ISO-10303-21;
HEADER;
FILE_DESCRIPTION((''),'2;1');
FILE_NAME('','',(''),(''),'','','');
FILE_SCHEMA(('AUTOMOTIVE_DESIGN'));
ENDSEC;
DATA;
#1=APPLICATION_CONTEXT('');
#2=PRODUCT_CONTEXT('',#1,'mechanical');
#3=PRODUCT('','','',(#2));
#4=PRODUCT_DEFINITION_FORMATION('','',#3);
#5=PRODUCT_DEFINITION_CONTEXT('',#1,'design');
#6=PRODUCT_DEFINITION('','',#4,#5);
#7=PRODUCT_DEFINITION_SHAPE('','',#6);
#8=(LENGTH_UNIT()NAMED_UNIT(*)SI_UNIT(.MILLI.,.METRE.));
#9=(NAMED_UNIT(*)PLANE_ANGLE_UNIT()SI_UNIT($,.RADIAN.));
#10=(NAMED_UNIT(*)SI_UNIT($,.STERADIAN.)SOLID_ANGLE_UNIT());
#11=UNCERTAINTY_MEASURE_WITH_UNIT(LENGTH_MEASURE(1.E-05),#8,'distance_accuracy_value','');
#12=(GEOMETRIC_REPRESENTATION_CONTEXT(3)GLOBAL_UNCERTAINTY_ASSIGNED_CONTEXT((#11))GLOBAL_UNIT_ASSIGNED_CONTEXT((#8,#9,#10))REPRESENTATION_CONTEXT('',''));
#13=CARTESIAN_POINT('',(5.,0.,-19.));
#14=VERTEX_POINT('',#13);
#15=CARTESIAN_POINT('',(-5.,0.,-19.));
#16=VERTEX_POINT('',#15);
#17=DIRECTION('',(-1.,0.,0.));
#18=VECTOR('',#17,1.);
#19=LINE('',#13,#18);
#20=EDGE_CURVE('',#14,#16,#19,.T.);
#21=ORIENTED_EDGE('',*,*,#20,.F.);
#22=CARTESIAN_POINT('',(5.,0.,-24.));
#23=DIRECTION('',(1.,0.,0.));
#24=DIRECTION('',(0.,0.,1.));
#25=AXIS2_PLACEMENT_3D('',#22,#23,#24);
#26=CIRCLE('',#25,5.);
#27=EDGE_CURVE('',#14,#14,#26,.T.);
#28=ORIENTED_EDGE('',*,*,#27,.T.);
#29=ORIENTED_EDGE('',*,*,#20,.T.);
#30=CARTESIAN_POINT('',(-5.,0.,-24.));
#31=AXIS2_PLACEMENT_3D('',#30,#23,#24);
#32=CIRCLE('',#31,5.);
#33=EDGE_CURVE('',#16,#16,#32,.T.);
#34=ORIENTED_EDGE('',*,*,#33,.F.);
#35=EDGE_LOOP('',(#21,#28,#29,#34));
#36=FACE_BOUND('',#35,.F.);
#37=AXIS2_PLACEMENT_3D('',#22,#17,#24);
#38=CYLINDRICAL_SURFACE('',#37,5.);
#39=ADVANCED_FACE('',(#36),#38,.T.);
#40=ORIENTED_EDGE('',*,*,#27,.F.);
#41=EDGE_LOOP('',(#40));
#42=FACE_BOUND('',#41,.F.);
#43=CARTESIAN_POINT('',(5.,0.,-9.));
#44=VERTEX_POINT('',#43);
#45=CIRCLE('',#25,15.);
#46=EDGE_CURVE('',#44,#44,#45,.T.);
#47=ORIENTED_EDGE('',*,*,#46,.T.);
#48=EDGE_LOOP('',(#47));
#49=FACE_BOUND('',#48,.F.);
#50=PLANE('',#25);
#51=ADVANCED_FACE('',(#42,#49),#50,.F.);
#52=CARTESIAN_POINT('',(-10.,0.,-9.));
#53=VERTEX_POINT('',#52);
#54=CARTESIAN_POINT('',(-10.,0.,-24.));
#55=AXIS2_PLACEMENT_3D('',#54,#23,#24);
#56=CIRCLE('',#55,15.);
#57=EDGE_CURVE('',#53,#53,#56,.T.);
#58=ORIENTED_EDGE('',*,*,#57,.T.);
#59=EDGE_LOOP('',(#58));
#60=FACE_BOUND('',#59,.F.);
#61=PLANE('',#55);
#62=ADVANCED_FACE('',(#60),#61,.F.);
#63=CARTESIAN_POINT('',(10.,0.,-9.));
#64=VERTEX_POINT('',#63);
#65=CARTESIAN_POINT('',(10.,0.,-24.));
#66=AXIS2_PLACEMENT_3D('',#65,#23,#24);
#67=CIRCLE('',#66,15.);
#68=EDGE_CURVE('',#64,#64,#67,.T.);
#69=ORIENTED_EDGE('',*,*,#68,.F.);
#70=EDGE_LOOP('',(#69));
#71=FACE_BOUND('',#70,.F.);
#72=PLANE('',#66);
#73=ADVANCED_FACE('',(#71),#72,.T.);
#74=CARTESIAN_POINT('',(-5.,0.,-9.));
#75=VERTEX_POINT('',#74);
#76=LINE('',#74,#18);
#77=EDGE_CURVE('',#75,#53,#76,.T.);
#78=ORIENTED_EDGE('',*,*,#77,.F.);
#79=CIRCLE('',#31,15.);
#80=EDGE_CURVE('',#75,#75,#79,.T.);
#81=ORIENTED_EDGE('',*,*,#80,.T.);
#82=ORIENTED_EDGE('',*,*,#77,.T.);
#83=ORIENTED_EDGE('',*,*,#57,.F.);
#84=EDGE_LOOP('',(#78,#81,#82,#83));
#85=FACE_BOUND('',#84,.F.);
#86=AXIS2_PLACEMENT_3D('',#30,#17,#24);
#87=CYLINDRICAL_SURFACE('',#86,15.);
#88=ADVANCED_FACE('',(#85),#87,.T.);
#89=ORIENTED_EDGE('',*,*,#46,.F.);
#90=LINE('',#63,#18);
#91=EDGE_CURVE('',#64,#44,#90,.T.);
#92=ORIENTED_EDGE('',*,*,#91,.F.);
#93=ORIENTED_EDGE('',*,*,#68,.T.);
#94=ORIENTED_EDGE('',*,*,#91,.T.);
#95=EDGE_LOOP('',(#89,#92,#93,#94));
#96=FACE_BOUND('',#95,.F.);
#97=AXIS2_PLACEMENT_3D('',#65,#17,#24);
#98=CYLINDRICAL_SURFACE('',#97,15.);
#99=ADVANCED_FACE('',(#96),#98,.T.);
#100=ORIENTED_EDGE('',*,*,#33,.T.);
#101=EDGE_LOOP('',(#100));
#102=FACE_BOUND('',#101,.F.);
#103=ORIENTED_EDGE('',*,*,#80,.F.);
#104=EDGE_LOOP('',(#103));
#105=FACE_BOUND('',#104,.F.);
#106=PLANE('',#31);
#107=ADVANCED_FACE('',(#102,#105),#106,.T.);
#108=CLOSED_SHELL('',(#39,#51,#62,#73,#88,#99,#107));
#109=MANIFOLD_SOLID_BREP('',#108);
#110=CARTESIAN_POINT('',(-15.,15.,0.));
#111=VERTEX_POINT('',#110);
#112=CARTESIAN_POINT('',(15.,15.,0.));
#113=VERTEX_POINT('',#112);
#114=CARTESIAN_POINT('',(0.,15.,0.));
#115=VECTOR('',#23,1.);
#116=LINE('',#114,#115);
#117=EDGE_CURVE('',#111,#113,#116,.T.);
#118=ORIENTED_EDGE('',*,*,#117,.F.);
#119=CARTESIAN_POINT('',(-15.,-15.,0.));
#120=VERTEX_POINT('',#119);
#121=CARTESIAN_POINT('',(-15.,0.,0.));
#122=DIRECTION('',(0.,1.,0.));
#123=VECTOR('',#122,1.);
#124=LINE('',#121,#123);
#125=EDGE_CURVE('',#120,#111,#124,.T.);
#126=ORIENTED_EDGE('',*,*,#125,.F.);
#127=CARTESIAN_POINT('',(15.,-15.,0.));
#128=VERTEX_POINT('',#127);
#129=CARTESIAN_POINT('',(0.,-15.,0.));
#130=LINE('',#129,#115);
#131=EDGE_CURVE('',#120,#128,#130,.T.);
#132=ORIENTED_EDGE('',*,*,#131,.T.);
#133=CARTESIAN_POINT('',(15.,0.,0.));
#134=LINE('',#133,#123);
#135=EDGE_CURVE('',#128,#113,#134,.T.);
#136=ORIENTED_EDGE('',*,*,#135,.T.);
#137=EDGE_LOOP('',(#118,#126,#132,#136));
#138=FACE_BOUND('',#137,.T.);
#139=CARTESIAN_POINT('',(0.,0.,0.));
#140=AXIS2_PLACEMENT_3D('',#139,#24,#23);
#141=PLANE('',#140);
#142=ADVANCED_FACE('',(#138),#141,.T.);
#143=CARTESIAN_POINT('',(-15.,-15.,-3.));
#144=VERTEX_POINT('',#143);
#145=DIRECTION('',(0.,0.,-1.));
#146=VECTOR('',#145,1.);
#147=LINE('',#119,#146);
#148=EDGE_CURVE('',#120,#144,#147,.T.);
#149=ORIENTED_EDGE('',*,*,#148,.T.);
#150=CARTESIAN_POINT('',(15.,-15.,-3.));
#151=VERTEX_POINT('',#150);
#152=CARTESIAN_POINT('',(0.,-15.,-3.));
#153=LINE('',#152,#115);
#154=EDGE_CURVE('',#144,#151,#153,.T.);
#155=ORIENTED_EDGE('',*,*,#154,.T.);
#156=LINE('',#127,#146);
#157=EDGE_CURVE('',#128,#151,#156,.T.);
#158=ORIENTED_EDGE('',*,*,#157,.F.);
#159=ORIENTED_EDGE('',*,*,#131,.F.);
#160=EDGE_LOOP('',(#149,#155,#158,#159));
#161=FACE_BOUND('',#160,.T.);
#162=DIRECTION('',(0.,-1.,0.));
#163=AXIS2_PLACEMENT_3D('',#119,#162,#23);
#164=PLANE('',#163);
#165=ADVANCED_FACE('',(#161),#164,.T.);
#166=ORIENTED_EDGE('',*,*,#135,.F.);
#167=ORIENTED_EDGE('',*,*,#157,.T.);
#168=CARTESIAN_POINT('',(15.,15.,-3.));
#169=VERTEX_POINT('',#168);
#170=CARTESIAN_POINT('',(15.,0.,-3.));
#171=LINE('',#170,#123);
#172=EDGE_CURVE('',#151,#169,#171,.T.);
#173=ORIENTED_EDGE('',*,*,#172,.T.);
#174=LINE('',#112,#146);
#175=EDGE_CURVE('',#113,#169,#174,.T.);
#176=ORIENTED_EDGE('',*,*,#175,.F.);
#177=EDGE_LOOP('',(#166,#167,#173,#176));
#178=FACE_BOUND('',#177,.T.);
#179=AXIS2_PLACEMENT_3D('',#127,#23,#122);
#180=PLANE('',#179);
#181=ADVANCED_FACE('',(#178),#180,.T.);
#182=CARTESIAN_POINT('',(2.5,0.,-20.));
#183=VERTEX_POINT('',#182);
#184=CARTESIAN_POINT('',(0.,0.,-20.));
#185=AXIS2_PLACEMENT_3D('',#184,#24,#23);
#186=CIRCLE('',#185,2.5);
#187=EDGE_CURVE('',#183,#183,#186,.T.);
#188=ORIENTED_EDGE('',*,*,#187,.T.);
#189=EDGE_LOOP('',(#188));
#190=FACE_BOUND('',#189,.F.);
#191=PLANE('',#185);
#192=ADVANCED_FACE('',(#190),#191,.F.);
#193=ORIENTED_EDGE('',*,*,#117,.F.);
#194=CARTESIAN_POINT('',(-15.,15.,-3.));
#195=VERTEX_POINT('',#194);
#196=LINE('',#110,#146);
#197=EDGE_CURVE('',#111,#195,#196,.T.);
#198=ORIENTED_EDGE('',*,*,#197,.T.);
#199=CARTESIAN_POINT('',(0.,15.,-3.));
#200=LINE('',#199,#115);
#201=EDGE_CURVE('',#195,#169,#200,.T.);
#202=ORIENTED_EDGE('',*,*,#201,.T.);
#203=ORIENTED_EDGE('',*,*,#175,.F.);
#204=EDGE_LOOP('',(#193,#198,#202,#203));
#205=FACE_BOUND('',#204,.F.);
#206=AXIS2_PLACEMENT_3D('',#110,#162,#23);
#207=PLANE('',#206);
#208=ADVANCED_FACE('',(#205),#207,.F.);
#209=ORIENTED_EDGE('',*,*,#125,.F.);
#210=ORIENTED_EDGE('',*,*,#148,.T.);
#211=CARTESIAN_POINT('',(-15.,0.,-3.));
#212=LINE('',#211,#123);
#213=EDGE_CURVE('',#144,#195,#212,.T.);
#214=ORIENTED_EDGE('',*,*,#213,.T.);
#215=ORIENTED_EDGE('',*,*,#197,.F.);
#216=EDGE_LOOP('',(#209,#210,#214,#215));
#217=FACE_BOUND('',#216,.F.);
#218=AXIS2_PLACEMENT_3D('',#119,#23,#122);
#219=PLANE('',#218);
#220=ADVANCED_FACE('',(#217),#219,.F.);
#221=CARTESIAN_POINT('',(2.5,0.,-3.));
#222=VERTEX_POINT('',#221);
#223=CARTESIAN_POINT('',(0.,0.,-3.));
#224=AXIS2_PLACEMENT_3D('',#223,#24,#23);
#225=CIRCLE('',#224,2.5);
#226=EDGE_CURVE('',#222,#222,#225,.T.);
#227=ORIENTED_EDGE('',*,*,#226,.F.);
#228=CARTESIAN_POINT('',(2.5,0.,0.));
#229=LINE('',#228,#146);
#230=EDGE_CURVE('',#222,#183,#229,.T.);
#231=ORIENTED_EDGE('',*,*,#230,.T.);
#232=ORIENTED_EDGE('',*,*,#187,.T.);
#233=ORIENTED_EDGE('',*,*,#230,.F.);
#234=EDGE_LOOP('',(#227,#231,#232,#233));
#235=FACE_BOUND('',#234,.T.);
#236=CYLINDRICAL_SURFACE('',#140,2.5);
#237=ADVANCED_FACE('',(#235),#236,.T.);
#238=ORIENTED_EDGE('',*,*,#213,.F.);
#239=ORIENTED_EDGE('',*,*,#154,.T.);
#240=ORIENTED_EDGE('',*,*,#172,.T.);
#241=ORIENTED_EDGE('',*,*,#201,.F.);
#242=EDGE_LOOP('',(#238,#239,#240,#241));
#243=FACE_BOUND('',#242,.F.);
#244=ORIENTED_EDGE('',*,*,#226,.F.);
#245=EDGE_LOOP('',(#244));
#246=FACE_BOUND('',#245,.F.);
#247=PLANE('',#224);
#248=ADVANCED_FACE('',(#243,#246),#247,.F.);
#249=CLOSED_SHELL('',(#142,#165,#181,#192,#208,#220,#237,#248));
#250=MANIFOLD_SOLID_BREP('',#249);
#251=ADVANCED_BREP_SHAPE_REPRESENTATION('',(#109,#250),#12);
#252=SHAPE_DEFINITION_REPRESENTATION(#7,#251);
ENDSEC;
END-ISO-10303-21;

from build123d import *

# Parameters (mm, degrees)
F0_W     = 30
F0_H     = 30
F0_R     = 2.5
F1_DEPTH = 3
F2_DEPTH = 20


with BuildPart() as f1:
    # F0 (on Top) → F1 (new body)
    with BuildSketch(Plane.XY):
        Rectangle(F0_W, F0_H)
        Circle(F0_R, mode=Mode.SUBTRACT)
        Circle(F0_R)
    extrude(amount=-F1_DEPTH)

    # F0 (on Top) → F2 (join)
    with BuildSketch(Plane.XY):
        Circle(F0_R)
    extrude(amount=-F2_DEPTH)


with BuildPart() as f4:
    # F3 (on Front) → F4 (revolve)
    with BuildSketch(Plane.XZ):
        Polygon((-10, -9), (-10, -24), (10, -24), (10, -9), (5, -9), (5, -19), (-5, -19), (-5, -9), align=None)
    revolve(axis=Axis((0, 0, -24), (1, 0, 0)))


solid = Compound([f1.part, f4.part])
